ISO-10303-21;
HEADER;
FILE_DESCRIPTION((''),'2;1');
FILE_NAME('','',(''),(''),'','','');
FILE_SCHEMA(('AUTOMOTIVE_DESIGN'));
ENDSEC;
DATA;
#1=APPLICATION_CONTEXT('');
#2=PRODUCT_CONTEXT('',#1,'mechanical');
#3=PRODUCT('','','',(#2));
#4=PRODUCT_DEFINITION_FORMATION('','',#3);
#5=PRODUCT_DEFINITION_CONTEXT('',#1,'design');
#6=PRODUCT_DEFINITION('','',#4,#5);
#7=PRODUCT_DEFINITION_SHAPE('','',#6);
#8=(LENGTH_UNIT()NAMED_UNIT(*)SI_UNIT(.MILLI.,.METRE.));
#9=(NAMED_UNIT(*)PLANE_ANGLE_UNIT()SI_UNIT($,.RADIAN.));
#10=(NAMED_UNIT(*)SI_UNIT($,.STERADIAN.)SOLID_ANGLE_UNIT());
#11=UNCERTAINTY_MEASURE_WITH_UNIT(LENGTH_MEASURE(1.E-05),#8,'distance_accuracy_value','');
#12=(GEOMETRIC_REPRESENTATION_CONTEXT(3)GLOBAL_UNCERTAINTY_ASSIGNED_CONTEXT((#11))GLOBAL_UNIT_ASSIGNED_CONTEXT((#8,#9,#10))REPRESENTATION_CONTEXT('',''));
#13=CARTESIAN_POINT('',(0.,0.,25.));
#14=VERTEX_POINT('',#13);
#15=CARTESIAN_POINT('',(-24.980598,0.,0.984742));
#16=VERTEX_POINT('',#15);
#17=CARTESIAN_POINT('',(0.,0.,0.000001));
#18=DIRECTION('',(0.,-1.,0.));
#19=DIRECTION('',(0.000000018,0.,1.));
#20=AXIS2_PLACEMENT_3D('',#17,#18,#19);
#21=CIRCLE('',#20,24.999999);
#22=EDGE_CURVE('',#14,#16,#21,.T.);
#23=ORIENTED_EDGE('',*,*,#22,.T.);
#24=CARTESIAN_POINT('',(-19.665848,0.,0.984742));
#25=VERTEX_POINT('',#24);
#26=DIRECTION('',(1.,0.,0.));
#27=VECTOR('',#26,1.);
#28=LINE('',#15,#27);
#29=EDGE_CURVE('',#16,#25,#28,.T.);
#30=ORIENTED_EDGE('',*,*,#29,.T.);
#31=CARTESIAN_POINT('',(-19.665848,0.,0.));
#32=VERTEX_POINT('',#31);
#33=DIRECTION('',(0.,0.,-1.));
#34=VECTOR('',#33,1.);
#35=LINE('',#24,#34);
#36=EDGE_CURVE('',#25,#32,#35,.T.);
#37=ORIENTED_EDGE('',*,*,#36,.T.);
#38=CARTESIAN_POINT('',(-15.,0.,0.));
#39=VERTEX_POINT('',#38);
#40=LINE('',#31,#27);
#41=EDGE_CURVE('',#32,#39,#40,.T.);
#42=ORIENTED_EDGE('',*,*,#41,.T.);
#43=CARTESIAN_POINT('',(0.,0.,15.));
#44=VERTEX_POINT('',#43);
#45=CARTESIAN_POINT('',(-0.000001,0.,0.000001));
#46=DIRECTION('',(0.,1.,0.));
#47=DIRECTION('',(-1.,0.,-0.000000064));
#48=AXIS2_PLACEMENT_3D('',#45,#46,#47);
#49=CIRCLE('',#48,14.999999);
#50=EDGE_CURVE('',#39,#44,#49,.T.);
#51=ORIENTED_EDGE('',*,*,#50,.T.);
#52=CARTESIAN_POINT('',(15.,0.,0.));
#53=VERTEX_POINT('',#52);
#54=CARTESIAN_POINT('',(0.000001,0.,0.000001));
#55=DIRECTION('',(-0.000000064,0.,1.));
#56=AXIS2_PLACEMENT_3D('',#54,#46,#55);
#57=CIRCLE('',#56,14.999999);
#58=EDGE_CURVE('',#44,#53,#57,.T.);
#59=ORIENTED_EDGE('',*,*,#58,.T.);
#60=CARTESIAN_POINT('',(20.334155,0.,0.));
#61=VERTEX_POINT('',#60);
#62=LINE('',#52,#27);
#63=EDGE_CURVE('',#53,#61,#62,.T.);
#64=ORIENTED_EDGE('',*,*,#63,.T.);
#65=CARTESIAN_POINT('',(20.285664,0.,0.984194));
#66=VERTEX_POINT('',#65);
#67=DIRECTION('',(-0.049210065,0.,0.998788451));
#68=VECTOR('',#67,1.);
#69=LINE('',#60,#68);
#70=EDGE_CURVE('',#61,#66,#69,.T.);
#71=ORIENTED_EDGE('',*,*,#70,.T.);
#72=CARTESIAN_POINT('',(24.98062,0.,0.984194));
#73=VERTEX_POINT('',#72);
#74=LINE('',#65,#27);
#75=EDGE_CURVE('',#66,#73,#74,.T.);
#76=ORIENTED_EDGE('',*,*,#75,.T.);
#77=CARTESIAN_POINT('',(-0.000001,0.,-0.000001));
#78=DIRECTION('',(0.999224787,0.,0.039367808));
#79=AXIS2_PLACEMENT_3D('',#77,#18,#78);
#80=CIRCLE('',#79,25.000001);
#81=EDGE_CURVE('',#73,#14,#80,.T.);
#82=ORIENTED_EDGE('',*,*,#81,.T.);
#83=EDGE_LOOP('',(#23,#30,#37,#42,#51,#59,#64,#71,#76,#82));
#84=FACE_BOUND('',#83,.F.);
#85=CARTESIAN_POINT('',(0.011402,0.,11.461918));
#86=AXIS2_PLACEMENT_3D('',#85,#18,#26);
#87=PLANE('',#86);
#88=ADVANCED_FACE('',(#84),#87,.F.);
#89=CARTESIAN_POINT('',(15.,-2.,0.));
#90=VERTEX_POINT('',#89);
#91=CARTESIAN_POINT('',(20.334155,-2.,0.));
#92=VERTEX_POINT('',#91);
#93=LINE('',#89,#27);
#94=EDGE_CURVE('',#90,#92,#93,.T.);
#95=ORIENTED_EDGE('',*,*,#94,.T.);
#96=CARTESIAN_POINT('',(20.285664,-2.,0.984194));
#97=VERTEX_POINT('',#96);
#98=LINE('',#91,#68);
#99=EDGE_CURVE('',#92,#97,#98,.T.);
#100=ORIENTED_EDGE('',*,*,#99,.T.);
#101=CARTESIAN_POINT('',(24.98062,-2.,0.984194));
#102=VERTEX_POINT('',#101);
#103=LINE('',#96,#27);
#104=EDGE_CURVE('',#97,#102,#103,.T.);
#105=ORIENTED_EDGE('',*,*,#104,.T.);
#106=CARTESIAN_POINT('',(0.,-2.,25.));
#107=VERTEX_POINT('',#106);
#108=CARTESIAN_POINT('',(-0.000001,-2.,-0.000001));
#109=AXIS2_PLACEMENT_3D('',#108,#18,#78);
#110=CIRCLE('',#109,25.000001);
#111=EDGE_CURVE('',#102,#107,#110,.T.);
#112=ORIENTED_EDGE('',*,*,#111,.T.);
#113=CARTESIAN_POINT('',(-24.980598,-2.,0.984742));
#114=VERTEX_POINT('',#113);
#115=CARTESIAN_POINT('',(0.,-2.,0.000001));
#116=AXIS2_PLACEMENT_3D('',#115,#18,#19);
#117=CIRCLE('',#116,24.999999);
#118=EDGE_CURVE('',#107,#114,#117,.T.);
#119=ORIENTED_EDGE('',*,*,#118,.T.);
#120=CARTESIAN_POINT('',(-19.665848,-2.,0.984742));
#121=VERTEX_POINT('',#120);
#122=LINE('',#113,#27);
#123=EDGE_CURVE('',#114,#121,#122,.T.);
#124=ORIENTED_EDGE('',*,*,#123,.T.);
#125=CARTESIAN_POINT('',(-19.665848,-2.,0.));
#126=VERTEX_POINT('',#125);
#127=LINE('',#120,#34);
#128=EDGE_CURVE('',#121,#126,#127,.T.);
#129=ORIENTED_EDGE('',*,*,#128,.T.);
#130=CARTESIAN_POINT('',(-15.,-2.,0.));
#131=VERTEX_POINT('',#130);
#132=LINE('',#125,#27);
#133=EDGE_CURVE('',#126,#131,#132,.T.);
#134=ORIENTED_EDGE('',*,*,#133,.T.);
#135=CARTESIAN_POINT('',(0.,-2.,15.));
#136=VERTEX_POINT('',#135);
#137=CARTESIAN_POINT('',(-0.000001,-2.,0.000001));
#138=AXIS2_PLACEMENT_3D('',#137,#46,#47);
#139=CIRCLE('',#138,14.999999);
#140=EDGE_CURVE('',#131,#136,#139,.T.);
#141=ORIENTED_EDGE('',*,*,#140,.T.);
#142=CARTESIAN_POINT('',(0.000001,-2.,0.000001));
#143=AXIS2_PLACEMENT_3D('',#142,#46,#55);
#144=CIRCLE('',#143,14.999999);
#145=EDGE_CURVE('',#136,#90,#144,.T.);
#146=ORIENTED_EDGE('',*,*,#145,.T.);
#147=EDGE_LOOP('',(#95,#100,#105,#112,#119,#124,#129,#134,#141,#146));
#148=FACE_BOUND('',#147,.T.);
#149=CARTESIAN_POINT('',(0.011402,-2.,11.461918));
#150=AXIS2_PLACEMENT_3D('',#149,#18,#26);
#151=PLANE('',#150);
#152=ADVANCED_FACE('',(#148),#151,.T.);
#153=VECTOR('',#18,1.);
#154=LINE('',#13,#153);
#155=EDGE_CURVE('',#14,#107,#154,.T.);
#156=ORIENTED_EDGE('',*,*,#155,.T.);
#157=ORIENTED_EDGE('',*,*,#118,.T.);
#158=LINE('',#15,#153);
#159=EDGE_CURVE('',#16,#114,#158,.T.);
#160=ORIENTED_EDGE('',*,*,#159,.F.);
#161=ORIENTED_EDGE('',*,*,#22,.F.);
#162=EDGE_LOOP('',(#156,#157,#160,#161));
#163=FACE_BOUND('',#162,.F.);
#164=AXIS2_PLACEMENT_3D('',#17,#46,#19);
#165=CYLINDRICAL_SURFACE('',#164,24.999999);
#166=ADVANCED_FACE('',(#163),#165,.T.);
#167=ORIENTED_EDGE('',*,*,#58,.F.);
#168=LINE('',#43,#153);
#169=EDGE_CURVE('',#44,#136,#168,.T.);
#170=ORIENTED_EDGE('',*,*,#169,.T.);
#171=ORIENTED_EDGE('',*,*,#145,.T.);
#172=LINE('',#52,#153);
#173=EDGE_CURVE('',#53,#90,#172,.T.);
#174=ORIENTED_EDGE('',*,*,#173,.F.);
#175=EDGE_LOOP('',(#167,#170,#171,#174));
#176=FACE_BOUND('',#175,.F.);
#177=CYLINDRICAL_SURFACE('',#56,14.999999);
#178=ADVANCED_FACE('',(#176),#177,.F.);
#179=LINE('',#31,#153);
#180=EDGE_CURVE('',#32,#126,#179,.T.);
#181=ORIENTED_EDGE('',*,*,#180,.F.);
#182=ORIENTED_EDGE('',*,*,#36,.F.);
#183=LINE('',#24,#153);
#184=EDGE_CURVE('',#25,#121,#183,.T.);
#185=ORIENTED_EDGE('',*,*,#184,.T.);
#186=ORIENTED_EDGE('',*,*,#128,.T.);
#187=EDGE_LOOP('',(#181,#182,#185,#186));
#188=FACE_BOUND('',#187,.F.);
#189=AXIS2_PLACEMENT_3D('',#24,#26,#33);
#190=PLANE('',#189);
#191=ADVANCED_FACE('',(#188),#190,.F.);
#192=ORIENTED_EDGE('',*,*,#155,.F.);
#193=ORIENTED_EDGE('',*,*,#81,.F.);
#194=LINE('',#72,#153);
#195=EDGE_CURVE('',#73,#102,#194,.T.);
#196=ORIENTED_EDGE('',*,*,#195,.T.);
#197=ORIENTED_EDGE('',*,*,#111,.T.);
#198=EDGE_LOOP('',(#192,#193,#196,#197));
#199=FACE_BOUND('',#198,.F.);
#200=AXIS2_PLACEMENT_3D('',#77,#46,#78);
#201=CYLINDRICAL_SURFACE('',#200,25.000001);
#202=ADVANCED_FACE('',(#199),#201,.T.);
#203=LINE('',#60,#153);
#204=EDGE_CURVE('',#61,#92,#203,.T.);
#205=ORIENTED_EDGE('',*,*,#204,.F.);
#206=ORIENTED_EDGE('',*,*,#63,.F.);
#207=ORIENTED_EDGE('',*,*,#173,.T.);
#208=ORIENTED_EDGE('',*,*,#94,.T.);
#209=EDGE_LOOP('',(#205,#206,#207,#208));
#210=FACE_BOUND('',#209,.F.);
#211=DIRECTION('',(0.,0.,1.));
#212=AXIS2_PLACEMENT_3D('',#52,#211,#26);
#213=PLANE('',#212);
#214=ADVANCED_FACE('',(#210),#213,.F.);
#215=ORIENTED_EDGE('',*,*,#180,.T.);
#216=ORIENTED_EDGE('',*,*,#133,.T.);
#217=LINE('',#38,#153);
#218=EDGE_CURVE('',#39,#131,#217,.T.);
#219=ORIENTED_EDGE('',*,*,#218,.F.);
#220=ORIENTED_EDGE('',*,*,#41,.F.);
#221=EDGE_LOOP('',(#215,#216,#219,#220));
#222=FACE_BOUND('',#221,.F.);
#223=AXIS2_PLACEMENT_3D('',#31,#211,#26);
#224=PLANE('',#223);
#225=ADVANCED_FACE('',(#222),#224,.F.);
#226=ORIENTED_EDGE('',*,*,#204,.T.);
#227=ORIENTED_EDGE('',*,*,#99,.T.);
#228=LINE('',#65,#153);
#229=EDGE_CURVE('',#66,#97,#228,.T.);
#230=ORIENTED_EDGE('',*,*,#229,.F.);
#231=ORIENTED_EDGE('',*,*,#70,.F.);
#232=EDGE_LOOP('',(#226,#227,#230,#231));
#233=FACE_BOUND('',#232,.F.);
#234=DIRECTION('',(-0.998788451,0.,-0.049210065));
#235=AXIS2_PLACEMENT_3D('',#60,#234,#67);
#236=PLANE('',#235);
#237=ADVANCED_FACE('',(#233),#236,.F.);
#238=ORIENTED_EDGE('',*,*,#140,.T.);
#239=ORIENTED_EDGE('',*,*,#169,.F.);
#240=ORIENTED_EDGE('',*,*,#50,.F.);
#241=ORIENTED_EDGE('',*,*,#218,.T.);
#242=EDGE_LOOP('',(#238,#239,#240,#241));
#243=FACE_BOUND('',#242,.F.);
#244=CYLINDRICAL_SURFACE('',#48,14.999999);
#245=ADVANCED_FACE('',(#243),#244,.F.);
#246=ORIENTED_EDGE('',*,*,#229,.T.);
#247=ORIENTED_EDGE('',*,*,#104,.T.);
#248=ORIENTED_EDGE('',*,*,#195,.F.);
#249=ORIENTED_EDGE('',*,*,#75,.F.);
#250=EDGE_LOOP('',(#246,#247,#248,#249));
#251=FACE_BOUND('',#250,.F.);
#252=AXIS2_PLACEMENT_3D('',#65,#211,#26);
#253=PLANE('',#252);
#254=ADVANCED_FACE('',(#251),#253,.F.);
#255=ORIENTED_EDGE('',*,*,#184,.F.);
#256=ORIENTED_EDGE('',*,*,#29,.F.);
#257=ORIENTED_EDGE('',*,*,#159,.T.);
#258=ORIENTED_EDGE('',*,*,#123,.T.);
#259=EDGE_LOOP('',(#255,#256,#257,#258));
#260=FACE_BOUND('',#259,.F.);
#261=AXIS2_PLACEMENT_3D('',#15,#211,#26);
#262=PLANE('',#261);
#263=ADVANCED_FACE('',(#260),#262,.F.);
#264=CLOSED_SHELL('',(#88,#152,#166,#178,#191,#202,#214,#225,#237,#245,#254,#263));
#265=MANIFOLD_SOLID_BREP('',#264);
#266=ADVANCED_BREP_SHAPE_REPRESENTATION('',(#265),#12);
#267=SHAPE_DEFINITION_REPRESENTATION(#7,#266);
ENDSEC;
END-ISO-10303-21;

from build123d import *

# Parameters (mm, degrees)
F1_DEPTH = 2
F2_DEPTH = 2


with BuildPart() as f1:
    # F0 (on Front) → F1 (new body)
    with BuildSketch(Plane.XZ):
        with BuildLine():
            ThreePointArc((-15, 0), (-10.606602, 10.606602), (0, 15))
            ThreePointArc((0, 15), (10.606602, 10.606602), (15, 0))
            Line((15, 0), (20.334155, 0))
            Line((20.334155, 0), (20.285664, 0.984194))
            Line((20.285664, 0.984194), (24.98062, 0.984194))
            ThreePointArc((24.98062, 0.984194), (17.32621, 18.022276), (0, 25))
            ThreePointArc((0, 25), (-17.326013, 18.022466), (-24.980598, 0.984742))
            Line((-24.980598, 0.984742), (-19.665848, 0.984742))
            Line((-19.665848, 0.984742), (-19.665848, 0))
            Line((-19.665848, 0), (-15, 0))
        make_face()
    extrude(amount=F1_DEPTH)

    # F0 (on Front) → F2 (join)
    with BuildSketch(Plane.XZ):
        with BuildLine():
            ThreePointArc((-15, 0), (-10.606602, 10.606602), (0, 15))
            ThreePointArc((0, 15), (10.606602, 10.606602), (15, 0))
            Line((15, 0), (20.334155, 0))
            Line((20.334155, 0), (20.285664, 0.984194))
            Line((20.285664, 0.984194), (24.98062, 0.984194))
            ThreePointArc((24.98062, 0.984194), (17.32621, 18.022276), (0, 25))
            ThreePointArc((0, 25), (-17.326013, 18.022466), (-24.980598, 0.984742))
            Line((-24.980598, 0.984742), (-19.665848, 0.984742))
            Line((-19.665848, 0.984742), (-19.665848, 0))
            Line((-19.665848, 0), (-15, 0))
        make_face()
    extrude(amount=F2_DEPTH)


solid = f1.part
